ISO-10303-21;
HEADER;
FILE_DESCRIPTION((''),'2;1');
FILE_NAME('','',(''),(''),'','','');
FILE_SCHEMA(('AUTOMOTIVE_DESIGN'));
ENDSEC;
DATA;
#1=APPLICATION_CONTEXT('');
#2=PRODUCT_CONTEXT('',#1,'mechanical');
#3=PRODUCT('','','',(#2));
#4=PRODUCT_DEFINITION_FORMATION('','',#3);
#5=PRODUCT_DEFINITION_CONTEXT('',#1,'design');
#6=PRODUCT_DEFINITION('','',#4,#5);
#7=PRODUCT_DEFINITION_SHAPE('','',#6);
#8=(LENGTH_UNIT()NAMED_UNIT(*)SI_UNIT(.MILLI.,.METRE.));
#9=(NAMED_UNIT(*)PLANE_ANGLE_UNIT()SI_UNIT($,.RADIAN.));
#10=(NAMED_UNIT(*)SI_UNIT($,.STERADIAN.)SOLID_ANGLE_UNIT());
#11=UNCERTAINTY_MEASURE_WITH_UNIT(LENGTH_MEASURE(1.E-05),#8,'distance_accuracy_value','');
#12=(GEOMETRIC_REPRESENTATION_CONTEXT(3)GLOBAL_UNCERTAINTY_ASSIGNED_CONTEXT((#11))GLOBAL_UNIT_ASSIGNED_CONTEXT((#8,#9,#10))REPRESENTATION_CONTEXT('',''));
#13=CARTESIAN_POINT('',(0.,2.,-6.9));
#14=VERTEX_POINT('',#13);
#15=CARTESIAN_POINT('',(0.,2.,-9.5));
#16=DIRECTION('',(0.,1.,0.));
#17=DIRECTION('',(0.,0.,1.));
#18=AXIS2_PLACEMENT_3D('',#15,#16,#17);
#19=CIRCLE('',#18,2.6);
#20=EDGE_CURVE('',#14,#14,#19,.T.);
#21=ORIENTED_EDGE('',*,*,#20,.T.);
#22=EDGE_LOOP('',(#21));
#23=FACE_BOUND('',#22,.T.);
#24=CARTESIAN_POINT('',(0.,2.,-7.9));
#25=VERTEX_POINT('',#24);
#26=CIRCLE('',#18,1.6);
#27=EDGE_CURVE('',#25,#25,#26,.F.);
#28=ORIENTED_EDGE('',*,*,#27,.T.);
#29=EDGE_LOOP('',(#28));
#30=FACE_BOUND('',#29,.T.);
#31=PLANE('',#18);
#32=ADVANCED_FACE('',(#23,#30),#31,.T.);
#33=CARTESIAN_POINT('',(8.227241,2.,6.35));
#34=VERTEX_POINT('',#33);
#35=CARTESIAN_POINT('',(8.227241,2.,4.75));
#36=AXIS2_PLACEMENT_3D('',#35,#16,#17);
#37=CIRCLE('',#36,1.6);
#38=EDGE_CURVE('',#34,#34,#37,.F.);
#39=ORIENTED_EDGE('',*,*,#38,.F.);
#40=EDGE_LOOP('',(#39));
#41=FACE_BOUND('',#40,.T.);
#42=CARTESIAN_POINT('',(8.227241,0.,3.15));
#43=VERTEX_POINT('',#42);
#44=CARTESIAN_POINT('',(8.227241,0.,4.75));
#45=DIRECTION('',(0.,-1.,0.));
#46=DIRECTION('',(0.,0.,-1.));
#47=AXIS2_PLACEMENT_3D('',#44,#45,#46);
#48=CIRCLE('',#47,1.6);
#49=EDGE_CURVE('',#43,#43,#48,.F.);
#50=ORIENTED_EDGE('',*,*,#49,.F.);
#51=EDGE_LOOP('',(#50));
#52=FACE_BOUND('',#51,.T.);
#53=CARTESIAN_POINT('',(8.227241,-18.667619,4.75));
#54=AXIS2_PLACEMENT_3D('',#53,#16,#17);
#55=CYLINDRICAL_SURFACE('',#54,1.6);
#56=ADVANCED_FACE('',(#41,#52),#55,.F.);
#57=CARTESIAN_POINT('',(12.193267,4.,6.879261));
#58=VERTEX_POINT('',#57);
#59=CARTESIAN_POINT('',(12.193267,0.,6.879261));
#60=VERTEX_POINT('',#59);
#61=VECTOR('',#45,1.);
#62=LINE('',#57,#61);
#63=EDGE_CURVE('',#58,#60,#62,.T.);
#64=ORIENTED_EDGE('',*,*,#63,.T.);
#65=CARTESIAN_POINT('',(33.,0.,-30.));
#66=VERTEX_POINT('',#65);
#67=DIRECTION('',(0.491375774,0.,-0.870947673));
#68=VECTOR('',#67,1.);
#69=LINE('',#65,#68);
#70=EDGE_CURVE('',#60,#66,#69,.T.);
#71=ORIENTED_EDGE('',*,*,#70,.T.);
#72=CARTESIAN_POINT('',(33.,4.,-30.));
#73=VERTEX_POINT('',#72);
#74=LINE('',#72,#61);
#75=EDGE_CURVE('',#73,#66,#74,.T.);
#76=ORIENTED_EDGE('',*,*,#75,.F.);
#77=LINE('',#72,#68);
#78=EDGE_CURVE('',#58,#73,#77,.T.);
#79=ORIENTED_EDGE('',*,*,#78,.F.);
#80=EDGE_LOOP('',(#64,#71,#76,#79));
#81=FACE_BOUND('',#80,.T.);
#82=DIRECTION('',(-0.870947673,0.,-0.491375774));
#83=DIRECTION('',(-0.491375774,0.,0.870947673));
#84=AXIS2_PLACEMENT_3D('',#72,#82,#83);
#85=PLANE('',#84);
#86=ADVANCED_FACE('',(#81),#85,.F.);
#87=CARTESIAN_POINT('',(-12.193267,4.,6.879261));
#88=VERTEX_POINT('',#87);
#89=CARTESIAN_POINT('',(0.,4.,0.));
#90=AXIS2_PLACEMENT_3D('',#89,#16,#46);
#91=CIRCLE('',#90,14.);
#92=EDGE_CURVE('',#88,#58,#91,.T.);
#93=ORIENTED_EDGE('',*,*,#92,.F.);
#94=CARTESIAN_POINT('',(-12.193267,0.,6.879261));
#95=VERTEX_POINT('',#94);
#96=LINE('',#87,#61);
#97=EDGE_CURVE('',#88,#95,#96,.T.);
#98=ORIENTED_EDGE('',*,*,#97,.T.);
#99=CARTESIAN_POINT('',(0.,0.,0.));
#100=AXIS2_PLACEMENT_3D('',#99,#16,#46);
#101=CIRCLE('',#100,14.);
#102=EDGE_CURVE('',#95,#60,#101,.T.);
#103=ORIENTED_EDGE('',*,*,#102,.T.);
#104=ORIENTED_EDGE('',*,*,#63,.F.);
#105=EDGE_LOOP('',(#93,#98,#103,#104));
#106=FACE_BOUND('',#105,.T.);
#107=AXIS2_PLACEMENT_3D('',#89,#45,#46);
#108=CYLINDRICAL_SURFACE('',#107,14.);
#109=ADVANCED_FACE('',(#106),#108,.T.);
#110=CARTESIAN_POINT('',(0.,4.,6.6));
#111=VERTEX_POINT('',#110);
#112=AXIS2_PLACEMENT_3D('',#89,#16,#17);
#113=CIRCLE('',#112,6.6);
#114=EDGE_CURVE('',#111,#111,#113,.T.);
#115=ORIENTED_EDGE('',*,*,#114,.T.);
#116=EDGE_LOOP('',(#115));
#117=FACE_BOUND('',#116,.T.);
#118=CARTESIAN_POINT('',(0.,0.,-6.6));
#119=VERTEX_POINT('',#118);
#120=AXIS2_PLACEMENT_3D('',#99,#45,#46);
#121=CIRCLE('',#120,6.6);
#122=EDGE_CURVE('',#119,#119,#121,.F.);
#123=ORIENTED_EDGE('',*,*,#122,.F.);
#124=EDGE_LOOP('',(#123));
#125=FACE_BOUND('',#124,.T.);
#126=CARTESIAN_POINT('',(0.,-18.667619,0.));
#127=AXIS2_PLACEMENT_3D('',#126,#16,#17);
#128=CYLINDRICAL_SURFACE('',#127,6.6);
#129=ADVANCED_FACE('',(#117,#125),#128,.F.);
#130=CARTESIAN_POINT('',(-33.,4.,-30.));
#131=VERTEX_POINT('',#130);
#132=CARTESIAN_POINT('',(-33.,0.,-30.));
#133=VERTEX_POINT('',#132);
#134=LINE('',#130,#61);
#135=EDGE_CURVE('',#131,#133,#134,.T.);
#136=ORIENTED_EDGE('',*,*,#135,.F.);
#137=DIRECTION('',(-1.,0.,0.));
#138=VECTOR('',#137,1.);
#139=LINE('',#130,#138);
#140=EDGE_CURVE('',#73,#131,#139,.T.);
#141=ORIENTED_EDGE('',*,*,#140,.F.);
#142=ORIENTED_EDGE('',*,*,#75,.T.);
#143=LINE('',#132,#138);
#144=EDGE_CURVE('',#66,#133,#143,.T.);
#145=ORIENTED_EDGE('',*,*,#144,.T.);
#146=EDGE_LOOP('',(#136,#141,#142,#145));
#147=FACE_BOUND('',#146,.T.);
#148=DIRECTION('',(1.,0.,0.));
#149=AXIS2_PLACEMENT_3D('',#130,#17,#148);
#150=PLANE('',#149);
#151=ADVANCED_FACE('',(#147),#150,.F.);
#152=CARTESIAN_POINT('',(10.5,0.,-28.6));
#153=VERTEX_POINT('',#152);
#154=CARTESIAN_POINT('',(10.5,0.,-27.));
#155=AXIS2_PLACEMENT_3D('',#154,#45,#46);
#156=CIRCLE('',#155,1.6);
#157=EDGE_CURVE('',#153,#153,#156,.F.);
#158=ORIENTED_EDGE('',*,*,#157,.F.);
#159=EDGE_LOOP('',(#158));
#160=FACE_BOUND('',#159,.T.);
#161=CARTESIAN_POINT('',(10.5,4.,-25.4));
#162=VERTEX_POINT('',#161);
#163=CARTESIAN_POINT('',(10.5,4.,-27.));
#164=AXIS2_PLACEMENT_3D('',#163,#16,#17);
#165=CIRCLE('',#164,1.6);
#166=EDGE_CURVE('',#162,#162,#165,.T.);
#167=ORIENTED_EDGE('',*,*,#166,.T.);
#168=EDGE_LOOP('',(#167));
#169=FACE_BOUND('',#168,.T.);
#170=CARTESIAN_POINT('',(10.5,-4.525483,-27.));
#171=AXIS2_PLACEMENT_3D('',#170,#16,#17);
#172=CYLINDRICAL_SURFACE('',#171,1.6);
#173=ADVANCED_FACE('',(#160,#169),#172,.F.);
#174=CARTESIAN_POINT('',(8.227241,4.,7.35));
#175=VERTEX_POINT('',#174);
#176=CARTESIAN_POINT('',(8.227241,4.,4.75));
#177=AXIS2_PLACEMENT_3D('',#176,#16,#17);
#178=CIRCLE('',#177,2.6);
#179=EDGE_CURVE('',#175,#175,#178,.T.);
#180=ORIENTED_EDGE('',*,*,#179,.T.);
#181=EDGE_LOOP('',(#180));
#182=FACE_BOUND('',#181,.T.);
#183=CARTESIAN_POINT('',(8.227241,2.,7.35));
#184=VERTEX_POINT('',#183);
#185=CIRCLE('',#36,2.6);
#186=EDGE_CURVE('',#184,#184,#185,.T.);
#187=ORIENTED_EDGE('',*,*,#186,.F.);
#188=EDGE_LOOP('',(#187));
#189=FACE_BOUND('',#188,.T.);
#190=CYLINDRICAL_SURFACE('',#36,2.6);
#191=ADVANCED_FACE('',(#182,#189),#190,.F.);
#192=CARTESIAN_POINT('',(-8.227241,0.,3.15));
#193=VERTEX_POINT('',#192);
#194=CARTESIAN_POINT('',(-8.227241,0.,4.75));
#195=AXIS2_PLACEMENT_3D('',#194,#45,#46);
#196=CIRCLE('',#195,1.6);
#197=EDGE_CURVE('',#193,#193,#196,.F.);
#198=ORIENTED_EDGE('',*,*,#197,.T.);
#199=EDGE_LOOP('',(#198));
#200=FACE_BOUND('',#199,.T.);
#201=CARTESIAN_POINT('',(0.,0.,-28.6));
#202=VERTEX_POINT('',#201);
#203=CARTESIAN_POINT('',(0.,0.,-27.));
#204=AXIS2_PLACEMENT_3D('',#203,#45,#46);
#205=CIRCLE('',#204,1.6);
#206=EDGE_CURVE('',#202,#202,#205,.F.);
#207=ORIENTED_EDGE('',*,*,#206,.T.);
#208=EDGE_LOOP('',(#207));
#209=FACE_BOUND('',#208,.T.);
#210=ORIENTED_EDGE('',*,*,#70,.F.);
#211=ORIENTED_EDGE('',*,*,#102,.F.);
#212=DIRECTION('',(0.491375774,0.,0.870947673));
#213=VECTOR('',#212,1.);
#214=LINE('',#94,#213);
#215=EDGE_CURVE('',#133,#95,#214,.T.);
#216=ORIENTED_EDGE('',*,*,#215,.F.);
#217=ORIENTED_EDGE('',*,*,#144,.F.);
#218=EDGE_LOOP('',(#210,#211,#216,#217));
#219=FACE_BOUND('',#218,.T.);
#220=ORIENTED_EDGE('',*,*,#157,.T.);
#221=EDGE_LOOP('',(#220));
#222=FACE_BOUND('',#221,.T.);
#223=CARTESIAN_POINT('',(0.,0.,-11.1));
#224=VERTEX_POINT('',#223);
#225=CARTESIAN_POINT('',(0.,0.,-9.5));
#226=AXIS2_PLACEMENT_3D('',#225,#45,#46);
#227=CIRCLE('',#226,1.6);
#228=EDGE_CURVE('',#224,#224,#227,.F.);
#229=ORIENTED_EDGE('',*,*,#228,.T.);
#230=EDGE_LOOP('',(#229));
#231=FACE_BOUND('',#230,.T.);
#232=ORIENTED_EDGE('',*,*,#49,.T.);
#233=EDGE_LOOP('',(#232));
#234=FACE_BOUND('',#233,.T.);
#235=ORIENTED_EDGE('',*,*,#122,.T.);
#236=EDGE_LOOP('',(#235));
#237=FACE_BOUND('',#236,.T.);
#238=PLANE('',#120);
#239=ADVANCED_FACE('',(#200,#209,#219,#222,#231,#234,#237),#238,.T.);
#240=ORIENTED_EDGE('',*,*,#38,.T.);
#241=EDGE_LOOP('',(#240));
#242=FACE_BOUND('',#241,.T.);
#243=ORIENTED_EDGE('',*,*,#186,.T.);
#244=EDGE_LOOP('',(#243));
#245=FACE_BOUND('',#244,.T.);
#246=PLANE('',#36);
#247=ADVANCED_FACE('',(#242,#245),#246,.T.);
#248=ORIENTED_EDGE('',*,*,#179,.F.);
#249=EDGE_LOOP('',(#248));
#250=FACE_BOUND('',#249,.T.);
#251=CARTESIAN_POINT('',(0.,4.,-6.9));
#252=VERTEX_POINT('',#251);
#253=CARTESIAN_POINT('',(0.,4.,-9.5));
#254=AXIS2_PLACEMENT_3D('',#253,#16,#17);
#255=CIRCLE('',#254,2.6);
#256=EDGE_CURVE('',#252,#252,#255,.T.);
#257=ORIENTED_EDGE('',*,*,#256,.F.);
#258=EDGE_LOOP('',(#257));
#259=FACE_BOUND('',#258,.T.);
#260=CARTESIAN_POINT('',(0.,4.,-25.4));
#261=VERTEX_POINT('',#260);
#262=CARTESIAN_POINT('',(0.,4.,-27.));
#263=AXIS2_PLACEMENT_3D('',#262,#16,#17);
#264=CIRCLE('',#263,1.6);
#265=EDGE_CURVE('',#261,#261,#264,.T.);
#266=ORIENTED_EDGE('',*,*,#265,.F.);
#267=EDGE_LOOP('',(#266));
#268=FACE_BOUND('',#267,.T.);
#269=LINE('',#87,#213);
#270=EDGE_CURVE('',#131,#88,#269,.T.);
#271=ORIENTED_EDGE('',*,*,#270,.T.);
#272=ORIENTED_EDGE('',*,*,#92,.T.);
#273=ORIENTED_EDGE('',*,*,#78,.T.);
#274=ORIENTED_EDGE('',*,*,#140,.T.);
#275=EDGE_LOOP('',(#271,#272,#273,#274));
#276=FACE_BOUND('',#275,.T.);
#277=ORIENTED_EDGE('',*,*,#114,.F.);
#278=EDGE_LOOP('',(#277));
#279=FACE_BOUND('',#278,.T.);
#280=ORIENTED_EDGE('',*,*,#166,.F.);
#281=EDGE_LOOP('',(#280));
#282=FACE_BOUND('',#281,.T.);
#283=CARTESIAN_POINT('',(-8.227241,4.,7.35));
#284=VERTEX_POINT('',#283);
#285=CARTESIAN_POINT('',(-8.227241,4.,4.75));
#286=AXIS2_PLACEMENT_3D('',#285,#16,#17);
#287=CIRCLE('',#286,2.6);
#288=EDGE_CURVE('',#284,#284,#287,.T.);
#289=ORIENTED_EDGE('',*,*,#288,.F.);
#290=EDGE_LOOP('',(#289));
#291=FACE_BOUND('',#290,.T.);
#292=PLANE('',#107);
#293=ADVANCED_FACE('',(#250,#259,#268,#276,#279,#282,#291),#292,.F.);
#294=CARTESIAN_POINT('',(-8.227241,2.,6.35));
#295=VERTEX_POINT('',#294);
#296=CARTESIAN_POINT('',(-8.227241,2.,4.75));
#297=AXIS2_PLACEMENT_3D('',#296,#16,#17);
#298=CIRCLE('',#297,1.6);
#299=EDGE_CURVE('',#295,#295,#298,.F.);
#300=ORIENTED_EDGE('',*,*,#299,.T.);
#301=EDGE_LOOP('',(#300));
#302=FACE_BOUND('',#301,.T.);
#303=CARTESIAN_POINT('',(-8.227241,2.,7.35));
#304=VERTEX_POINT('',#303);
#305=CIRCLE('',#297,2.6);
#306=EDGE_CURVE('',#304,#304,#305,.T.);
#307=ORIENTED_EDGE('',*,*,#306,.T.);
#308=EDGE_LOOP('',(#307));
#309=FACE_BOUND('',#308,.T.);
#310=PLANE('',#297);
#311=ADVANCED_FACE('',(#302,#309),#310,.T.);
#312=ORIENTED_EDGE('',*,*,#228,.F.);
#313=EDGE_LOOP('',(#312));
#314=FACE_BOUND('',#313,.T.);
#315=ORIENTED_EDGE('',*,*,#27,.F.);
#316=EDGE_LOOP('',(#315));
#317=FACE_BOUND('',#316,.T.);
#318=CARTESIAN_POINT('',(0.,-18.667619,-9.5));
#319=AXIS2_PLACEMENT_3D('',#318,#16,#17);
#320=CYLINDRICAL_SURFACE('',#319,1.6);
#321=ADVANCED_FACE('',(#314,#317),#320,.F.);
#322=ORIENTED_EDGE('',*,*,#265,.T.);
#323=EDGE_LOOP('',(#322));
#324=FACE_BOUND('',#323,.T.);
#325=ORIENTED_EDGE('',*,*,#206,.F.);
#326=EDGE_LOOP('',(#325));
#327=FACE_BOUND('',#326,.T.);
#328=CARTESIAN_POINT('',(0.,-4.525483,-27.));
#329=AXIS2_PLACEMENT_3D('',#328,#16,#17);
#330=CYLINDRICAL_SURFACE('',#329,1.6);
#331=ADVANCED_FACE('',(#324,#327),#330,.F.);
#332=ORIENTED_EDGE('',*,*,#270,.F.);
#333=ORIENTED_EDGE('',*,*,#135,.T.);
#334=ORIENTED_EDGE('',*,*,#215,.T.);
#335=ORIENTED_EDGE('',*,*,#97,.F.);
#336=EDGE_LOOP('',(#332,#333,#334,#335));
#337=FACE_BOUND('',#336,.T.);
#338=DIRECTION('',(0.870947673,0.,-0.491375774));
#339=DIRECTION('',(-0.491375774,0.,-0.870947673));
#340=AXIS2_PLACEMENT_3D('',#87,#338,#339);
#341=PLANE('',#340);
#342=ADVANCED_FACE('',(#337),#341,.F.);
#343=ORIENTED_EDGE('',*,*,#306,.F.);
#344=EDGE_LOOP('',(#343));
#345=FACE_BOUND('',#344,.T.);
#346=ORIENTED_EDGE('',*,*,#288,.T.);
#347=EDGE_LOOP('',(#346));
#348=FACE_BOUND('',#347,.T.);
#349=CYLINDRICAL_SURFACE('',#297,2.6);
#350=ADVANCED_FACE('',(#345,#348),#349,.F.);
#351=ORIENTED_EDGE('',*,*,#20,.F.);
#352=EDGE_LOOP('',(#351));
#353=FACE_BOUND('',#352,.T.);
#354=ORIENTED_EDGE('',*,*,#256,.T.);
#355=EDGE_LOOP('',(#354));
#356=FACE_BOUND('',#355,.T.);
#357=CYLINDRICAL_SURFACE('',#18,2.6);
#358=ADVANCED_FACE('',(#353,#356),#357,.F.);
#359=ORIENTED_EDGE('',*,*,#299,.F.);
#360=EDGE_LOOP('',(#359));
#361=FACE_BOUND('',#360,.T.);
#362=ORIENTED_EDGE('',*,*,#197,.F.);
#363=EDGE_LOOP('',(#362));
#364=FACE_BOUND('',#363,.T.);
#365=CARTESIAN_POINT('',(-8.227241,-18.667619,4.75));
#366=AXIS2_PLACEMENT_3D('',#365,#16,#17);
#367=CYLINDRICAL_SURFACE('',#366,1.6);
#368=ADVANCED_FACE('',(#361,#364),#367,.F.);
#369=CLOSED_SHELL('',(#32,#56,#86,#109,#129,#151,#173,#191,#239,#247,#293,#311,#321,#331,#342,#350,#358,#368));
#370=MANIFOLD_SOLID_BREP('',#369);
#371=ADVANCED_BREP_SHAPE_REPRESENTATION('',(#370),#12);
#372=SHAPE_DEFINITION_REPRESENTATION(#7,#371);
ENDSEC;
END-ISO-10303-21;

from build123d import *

# Parameters (mm, degrees)
EXTRUDE_1_DEPTH     = 4
SKETCH_3_R          = 1.6
SKETCH_3_R_2        = 6.6
CUT_EXTRUDE_3_DEPTH = 4
SKETCH_4_R          = 1.6
CUT_EXTRUDE_4_DEPTH = 4
SKETCH_5_R          = 2.6
CUT_EXTRUDE_6_DEPTH = 2


with BuildPart() as part:
    # 草图1 → 凸台-拉伸1 (new body)
    with BuildSketch(Plane(origin=(0, 0, 0), x_dir=(1, 0, 0), z_dir=(0, 1, 0))):
        with BuildLine():
            Line((33, 30), (12.193267422, -6.879260831))
            ThreePointArc((12.193267422, -6.879260831), (0, -14), (-12.193267422, -6.879260831))
            Line((-12.193267422, -6.879260831), (-33, 30))
            Line((-33, 30), (33, 30))
        make_face()
    extrude(amount=EXTRUDE_1_DEPTH)

    # 草图3 → 切除-拉伸3 (cut)
    with BuildSketch(Plane(origin=(0, 4, 0), x_dir=(1, 0, 0), z_dir=(0, 1, 0))):
        with Locations(Location((-8.227241336, -4.75, 0), (0, 0, 270))):
            Circle(SKETCH_3_R)
        with Locations(Location((8.227241336, -4.75, 0), (0, 0, 270))):
            Circle(SKETCH_3_R)
        with Locations(Location((0, 0, 0), (0, 0, 270))):
            Circle(SKETCH_3_R_2)
        with Locations(Location((0, 9.5, 0), (0, 0, 270))):
            Circle(SKETCH_3_R)
    extrude(amount=-CUT_EXTRUDE_3_DEPTH, mode=Mode.SUBTRACT)

    # 草图4 → 切除-拉伸4 (cut)
    with BuildSketch(Plane(origin=(0, 4, 0), x_dir=(1, 0, 0), z_dir=(0, 1, 0))):
        with Locations(Location((0, 27, 0), (0, 0, 270))):
            Circle(SKETCH_4_R)
        with Locations(Location((10.5, 27, 0), (0, 0, 270))):
            Circle(SKETCH_4_R)
    extrude(amount=-CUT_EXTRUDE_4_DEPTH, mode=Mode.SUBTRACT)

    # 草图5 → 切除-拉伸6 (cut)
    with BuildSketch(Plane(origin=(0, 4, 0), x_dir=(1, 0, 0), z_dir=(0, 1, 0))):
        with Locations(Location((0, 9.5, 0), (0, 0, 270))):
            Circle(SKETCH_5_R)
        with Locations(Location((8.227241336, -4.75, 0), (0, 0, 270))):
            Circle(SKETCH_5_R)
        with Locations(Location((-8.227241336, -4.75, 0), (0, 0, 270))):
            Circle(SKETCH_5_R)
    extrude(amount=-CUT_EXTRUDE_6_DEPTH, mode=Mode.SUBTRACT)


solid = part.part
